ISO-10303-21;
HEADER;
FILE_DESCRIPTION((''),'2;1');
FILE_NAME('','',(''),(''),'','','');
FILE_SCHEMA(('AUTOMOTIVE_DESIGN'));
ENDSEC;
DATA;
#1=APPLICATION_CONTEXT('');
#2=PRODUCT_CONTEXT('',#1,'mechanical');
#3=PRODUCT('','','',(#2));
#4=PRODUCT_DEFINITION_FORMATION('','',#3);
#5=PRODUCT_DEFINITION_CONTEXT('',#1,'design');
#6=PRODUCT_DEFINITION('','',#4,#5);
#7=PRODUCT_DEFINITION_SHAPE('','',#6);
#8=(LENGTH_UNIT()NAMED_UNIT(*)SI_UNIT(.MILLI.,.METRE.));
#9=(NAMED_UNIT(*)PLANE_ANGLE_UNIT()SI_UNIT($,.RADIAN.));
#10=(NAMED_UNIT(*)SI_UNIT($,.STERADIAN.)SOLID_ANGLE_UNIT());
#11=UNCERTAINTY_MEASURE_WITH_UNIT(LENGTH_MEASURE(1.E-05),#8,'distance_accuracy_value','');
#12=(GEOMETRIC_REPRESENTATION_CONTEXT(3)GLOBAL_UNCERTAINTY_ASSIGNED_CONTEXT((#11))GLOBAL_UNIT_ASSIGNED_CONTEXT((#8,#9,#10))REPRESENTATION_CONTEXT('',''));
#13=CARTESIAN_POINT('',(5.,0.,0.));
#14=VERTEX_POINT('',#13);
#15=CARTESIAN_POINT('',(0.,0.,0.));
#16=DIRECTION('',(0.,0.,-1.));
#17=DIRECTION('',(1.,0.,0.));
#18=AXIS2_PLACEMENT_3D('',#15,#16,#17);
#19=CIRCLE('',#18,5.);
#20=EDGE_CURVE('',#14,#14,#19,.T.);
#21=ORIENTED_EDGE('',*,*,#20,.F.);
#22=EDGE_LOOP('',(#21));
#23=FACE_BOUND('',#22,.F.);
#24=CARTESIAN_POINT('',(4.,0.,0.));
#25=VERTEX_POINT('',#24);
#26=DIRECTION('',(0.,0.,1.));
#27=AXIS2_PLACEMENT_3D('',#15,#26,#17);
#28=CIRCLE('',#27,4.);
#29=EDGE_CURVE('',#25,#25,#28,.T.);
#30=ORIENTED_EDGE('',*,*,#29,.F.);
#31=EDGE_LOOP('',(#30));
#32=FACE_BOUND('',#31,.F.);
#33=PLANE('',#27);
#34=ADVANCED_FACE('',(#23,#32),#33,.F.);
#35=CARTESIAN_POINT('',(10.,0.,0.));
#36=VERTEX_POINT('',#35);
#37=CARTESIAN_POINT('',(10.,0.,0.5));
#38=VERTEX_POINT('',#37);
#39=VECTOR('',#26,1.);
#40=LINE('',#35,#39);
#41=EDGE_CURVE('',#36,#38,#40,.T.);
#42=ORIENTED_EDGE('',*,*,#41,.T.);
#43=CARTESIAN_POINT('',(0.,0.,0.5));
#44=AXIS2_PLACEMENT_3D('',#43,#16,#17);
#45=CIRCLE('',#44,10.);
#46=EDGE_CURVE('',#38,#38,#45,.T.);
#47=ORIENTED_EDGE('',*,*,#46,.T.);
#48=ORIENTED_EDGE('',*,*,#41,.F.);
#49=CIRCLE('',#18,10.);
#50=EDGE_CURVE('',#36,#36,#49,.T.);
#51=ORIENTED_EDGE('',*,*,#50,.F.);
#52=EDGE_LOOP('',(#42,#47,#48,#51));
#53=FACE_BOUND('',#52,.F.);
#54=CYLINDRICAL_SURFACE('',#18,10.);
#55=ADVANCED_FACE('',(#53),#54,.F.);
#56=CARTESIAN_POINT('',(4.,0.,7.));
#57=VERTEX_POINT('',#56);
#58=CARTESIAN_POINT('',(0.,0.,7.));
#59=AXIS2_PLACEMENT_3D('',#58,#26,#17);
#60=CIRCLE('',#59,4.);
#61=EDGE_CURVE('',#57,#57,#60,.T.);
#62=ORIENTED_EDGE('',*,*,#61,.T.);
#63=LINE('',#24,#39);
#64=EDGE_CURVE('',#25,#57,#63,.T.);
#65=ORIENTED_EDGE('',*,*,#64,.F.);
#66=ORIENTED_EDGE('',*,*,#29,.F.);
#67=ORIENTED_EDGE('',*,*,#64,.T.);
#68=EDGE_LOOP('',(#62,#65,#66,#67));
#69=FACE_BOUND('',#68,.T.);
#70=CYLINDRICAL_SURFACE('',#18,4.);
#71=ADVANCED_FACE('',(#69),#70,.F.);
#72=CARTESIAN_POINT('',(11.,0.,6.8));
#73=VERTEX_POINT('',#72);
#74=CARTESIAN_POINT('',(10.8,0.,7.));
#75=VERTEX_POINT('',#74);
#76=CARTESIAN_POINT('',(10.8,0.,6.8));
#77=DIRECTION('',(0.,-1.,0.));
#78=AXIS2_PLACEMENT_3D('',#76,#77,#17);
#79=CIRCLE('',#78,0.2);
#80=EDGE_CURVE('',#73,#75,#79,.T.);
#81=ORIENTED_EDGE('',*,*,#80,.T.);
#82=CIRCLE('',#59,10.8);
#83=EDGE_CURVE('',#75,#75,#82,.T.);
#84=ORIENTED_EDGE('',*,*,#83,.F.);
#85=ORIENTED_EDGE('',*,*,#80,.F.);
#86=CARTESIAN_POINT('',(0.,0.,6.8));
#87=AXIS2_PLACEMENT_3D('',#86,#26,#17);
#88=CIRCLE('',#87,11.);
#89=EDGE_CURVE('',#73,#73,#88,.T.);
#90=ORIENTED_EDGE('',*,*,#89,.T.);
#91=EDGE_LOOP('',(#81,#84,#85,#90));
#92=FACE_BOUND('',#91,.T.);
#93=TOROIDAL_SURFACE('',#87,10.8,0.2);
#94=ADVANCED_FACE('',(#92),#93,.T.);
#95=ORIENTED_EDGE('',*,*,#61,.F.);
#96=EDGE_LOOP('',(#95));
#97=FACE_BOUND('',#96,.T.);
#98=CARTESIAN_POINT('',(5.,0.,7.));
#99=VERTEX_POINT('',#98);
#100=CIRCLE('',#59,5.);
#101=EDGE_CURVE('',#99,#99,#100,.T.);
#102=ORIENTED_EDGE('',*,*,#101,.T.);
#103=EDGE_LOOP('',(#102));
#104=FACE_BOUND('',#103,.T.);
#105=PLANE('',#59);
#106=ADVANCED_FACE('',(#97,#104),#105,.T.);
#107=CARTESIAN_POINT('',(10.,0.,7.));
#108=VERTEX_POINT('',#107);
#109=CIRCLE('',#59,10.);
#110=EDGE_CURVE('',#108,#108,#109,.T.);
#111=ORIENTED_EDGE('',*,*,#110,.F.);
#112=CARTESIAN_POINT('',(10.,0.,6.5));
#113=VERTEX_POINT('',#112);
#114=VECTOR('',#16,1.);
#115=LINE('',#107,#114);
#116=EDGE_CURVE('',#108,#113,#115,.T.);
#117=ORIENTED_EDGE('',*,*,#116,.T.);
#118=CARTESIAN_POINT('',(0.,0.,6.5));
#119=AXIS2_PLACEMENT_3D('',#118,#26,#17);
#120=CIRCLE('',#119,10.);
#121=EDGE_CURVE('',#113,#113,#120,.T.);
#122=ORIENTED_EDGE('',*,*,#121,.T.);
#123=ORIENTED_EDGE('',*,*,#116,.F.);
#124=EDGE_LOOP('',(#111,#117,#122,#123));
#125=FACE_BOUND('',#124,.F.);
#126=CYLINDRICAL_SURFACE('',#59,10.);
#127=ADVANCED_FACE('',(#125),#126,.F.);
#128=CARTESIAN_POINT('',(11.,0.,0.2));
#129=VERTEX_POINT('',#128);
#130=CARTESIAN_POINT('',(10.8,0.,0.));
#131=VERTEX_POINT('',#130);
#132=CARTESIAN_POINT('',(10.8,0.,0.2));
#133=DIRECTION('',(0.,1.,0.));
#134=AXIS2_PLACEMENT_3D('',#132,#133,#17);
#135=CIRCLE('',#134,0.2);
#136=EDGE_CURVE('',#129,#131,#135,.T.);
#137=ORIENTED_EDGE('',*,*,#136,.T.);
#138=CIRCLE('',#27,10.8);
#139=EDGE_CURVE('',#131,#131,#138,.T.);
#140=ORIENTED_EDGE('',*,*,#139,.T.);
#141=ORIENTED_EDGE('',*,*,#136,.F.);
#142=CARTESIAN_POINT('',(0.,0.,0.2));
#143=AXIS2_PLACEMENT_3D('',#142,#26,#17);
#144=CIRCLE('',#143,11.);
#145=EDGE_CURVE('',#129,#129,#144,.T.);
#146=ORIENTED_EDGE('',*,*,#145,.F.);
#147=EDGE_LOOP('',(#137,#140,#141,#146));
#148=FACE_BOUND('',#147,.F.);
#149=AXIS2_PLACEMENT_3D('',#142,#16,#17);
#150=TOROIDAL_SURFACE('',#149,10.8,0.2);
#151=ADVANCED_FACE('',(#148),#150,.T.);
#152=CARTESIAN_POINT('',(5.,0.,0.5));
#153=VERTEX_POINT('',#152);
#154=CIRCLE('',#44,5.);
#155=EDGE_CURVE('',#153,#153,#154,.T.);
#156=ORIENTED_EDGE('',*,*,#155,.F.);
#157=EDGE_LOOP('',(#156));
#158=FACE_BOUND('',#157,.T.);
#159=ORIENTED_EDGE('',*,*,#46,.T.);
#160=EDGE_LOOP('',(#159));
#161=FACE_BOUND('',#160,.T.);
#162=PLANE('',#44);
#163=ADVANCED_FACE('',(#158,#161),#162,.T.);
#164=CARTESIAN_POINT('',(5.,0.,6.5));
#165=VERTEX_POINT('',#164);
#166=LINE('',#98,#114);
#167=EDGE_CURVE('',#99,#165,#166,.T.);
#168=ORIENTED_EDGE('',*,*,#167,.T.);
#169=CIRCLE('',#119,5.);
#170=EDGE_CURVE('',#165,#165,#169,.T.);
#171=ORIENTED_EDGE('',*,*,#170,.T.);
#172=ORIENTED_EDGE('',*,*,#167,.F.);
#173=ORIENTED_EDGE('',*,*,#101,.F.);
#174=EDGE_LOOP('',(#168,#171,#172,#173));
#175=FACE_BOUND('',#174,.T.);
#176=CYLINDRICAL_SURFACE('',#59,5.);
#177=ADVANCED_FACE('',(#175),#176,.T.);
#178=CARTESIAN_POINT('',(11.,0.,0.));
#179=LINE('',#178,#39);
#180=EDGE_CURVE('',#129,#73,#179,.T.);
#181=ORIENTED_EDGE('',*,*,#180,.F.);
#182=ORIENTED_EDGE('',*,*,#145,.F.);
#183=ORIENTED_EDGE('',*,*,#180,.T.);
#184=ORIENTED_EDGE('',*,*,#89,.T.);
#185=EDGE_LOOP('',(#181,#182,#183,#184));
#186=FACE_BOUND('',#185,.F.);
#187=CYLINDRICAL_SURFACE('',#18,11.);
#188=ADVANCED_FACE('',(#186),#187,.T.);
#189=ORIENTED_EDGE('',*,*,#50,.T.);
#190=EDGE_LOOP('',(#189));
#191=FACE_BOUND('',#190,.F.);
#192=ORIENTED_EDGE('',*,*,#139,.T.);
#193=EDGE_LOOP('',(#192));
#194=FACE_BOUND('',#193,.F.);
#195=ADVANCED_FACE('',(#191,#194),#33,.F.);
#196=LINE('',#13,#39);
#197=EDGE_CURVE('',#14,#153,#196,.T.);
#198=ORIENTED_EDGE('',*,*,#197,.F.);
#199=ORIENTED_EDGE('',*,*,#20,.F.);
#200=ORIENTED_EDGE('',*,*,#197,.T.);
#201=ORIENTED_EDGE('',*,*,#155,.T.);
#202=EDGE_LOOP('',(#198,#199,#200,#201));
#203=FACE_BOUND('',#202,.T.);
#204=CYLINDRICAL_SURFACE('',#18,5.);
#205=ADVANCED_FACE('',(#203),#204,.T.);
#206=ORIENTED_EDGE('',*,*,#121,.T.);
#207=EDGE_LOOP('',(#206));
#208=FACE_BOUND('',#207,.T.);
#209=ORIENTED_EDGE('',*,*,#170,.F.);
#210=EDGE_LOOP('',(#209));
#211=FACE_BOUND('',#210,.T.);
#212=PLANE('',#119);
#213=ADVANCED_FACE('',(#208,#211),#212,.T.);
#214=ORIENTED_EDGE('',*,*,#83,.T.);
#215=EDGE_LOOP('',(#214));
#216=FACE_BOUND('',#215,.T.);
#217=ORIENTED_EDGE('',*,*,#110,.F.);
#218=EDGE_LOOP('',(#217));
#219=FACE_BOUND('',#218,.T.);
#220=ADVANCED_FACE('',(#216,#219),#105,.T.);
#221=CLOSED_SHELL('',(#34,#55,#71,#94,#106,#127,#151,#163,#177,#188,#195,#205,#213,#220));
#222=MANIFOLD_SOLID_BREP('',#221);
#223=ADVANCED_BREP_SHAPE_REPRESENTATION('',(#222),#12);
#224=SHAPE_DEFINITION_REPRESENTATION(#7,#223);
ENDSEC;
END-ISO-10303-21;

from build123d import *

# Parameters (mm, degrees)
F0_R     = 11
F0_R_2   = 4
F1_DEPTH = 7
F2_R     = 10
F2_R_2   = 5
F3_DEPTH = 0.5
F4_R     = 10
F4_R_2   = 5
F5_DEPTH = 0.5
F6_R     = 0.2


with BuildPart() as f1:
    # F0 (on Top) → F1 (new body)
    with BuildSketch(Plane.XY):
        Circle(F0_R)
        Circle(F0_R_2, mode=Mode.SUBTRACT)
    extrude(amount=F1_DEPTH)

    # F2 (on face) → F3 (cut)
    with BuildSketch(Plane(origin=(0, 0, 0), x_dir=(1, 0, 0), z_dir=(0, 0, -1))):
        Circle(F2_R)
        Circle(F2_R_2, mode=Mode.SUBTRACT)
    extrude(amount=-F3_DEPTH, mode=Mode.SUBTRACT)

    # F4 (on face) → F5 (cut)
    with BuildSketch(Plane.XY.offset(7)):
        Circle(F4_R)
        Circle(F4_R_2, mode=Mode.SUBTRACT)
    extrude(amount=-F5_DEPTH, mode=Mode.SUBTRACT)

    # F6
    f6_edges = [f1.edges().sort_by_distance(p)[0] for p in [
        (-11, 0, 0),
        (-11, 0, 7),
    ]]
    fillet(f6_edges, radius=F6_R)


solid = f1.part
